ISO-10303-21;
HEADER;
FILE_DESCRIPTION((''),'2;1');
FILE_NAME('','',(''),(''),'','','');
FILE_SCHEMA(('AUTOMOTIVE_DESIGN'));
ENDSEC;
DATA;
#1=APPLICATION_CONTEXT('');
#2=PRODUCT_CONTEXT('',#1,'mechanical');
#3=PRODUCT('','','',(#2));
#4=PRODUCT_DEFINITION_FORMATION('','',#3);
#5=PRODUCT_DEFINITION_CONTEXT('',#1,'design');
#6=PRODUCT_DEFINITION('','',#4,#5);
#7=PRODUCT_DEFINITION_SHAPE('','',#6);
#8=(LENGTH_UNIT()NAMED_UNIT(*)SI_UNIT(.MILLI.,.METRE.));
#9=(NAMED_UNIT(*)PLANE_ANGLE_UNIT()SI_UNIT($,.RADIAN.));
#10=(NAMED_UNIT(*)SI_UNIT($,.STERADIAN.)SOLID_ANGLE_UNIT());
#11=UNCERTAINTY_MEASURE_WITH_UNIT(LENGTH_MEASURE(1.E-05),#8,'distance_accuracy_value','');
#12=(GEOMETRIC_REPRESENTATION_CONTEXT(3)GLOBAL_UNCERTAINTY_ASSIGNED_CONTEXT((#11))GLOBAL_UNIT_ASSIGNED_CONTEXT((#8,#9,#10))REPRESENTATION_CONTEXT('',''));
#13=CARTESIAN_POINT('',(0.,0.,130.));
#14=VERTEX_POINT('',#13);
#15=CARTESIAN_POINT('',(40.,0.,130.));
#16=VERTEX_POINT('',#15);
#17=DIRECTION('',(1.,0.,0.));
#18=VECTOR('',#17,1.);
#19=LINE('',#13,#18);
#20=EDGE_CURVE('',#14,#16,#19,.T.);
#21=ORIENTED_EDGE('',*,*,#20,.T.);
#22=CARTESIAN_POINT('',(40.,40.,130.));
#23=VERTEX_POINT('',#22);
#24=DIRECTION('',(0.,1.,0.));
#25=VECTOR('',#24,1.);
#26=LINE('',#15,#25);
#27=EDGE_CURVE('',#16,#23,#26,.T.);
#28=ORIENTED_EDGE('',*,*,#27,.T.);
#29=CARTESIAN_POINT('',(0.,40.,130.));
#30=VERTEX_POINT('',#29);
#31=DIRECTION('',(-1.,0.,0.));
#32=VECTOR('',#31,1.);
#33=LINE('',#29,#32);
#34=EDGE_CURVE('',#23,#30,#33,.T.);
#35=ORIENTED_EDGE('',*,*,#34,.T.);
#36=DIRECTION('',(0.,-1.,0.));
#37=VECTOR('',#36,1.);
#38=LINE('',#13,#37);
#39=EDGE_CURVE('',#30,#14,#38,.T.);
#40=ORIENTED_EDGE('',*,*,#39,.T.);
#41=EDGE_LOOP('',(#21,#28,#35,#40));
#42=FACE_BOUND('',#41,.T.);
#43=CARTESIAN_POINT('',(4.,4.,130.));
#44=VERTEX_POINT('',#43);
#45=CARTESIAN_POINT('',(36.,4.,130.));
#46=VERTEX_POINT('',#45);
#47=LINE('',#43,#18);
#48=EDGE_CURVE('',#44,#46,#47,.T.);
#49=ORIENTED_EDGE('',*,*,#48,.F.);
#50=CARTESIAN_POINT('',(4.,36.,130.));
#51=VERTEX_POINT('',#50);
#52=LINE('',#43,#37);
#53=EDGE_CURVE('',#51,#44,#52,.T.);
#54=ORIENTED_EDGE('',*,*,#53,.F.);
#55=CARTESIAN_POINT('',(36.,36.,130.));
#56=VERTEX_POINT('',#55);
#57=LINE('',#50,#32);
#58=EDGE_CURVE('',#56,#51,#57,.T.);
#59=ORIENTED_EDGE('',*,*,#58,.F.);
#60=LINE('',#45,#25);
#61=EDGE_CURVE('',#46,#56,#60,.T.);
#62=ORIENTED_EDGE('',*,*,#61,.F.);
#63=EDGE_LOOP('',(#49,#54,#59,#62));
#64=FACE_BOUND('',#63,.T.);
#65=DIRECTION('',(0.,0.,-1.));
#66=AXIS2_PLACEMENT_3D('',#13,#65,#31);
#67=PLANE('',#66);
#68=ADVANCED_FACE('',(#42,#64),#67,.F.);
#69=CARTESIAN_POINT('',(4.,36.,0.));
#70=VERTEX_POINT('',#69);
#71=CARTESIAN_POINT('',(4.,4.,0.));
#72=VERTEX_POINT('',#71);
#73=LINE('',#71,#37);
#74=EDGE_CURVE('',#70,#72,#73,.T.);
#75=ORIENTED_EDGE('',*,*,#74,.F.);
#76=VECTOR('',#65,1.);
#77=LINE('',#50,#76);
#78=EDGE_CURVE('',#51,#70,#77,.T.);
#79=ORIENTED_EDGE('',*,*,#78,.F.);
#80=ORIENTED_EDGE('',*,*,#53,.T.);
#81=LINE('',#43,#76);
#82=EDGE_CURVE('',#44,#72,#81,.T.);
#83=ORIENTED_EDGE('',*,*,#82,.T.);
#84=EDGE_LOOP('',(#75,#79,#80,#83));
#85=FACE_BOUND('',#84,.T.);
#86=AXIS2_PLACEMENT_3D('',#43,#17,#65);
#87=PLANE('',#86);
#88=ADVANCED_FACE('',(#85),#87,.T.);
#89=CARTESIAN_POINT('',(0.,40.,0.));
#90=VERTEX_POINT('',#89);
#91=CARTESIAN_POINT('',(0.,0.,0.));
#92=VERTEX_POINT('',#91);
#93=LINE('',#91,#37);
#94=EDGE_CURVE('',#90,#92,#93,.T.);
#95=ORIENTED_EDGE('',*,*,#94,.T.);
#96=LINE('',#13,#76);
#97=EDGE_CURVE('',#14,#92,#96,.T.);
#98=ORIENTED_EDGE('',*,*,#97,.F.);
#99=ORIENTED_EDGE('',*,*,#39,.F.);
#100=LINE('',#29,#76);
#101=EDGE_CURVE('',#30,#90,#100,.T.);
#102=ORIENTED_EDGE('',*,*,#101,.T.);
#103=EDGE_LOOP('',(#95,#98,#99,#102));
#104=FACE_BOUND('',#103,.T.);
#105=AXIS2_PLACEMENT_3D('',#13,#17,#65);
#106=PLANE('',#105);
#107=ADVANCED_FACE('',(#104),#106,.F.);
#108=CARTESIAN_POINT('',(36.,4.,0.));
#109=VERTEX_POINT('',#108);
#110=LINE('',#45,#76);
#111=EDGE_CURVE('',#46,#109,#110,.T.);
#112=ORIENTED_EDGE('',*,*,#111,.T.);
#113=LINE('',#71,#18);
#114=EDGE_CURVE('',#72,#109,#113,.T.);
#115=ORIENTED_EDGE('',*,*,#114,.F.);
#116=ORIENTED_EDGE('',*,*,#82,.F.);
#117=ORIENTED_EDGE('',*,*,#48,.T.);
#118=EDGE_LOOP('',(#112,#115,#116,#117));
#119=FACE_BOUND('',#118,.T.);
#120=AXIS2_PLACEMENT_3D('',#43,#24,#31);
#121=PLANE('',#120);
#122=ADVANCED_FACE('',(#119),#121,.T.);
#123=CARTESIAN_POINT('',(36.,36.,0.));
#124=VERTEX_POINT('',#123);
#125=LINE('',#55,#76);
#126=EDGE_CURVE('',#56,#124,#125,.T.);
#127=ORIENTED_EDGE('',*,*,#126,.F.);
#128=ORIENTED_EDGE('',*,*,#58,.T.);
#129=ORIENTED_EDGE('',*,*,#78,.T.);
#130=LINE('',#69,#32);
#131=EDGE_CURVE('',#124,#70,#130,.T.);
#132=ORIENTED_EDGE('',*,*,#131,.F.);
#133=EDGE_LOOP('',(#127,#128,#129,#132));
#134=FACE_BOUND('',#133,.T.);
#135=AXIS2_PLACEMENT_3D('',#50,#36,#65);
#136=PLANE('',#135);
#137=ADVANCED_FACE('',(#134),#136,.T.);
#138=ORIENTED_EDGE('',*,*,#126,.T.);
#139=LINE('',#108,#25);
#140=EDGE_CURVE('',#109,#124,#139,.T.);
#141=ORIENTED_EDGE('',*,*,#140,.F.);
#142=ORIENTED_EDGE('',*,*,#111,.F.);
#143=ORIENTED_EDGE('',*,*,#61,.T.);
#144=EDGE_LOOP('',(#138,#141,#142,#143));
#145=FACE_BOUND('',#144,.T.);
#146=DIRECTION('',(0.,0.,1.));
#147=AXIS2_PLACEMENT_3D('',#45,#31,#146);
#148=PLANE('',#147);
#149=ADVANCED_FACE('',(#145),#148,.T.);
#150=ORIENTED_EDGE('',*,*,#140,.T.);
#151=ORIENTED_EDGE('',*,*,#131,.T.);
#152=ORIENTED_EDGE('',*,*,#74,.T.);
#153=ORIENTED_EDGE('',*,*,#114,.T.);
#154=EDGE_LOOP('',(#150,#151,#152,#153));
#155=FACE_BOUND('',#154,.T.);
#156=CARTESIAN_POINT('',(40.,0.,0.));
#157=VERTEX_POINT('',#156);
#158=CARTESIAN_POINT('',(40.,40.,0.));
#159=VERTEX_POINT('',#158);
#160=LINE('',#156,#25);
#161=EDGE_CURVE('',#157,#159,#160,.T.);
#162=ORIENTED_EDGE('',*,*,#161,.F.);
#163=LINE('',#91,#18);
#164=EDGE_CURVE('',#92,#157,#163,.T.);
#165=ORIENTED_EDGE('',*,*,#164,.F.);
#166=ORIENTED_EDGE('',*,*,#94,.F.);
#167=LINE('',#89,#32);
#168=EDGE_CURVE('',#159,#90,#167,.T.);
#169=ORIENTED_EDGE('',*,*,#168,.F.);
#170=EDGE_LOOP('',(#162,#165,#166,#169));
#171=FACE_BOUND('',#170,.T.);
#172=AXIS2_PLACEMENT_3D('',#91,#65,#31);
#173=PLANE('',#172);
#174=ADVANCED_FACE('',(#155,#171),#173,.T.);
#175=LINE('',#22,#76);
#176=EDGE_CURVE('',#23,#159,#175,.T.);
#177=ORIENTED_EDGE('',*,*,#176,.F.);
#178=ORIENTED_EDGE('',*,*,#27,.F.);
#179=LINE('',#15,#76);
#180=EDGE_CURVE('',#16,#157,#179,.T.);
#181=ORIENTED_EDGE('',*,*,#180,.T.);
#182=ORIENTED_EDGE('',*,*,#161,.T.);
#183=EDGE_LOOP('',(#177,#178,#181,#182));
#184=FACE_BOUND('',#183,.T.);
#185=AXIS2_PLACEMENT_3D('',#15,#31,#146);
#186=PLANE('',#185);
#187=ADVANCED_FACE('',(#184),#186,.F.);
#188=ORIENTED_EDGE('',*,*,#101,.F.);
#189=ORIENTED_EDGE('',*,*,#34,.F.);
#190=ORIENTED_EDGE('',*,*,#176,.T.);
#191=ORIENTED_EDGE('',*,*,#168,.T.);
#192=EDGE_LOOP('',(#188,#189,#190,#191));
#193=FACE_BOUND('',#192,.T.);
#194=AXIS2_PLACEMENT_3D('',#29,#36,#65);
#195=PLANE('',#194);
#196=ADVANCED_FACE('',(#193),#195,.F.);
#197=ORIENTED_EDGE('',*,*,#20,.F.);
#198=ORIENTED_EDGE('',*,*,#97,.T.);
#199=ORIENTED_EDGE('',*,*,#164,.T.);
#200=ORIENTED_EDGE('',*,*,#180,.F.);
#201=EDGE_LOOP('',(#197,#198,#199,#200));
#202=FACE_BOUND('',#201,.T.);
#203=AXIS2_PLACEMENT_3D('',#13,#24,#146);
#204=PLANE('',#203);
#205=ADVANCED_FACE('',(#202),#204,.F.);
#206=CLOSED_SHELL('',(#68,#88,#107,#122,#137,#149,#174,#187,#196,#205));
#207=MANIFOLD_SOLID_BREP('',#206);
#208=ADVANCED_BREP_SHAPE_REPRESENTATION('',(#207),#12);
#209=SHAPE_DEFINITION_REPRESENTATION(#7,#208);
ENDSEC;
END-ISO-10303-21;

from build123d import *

# Parameters (mm, degrees)
IZIM1_W                     = 40
IZIM1_H                     = 40
IZIM1_W_2                   = 32
IZIM1_H_2                   = 32
Y_KSEKLIK_EKSTR_ZYON1_DEPTH = 130


with BuildPart() as part:
    # Çizim1 → Yükseklik-Ekstrüzyon1 (new body)
    with BuildSketch(Plane.XY):
        with Locations((20, 20)):
            Rectangle(IZIM1_W, IZIM1_H)
        with Locations((20, 20)):
            Rectangle(IZIM1_W_2, IZIM1_H_2, mode=Mode.SUBTRACT)
    extrude(amount=Y_KSEKLIK_EKSTR_ZYON1_DEPTH)


solid = part.part
